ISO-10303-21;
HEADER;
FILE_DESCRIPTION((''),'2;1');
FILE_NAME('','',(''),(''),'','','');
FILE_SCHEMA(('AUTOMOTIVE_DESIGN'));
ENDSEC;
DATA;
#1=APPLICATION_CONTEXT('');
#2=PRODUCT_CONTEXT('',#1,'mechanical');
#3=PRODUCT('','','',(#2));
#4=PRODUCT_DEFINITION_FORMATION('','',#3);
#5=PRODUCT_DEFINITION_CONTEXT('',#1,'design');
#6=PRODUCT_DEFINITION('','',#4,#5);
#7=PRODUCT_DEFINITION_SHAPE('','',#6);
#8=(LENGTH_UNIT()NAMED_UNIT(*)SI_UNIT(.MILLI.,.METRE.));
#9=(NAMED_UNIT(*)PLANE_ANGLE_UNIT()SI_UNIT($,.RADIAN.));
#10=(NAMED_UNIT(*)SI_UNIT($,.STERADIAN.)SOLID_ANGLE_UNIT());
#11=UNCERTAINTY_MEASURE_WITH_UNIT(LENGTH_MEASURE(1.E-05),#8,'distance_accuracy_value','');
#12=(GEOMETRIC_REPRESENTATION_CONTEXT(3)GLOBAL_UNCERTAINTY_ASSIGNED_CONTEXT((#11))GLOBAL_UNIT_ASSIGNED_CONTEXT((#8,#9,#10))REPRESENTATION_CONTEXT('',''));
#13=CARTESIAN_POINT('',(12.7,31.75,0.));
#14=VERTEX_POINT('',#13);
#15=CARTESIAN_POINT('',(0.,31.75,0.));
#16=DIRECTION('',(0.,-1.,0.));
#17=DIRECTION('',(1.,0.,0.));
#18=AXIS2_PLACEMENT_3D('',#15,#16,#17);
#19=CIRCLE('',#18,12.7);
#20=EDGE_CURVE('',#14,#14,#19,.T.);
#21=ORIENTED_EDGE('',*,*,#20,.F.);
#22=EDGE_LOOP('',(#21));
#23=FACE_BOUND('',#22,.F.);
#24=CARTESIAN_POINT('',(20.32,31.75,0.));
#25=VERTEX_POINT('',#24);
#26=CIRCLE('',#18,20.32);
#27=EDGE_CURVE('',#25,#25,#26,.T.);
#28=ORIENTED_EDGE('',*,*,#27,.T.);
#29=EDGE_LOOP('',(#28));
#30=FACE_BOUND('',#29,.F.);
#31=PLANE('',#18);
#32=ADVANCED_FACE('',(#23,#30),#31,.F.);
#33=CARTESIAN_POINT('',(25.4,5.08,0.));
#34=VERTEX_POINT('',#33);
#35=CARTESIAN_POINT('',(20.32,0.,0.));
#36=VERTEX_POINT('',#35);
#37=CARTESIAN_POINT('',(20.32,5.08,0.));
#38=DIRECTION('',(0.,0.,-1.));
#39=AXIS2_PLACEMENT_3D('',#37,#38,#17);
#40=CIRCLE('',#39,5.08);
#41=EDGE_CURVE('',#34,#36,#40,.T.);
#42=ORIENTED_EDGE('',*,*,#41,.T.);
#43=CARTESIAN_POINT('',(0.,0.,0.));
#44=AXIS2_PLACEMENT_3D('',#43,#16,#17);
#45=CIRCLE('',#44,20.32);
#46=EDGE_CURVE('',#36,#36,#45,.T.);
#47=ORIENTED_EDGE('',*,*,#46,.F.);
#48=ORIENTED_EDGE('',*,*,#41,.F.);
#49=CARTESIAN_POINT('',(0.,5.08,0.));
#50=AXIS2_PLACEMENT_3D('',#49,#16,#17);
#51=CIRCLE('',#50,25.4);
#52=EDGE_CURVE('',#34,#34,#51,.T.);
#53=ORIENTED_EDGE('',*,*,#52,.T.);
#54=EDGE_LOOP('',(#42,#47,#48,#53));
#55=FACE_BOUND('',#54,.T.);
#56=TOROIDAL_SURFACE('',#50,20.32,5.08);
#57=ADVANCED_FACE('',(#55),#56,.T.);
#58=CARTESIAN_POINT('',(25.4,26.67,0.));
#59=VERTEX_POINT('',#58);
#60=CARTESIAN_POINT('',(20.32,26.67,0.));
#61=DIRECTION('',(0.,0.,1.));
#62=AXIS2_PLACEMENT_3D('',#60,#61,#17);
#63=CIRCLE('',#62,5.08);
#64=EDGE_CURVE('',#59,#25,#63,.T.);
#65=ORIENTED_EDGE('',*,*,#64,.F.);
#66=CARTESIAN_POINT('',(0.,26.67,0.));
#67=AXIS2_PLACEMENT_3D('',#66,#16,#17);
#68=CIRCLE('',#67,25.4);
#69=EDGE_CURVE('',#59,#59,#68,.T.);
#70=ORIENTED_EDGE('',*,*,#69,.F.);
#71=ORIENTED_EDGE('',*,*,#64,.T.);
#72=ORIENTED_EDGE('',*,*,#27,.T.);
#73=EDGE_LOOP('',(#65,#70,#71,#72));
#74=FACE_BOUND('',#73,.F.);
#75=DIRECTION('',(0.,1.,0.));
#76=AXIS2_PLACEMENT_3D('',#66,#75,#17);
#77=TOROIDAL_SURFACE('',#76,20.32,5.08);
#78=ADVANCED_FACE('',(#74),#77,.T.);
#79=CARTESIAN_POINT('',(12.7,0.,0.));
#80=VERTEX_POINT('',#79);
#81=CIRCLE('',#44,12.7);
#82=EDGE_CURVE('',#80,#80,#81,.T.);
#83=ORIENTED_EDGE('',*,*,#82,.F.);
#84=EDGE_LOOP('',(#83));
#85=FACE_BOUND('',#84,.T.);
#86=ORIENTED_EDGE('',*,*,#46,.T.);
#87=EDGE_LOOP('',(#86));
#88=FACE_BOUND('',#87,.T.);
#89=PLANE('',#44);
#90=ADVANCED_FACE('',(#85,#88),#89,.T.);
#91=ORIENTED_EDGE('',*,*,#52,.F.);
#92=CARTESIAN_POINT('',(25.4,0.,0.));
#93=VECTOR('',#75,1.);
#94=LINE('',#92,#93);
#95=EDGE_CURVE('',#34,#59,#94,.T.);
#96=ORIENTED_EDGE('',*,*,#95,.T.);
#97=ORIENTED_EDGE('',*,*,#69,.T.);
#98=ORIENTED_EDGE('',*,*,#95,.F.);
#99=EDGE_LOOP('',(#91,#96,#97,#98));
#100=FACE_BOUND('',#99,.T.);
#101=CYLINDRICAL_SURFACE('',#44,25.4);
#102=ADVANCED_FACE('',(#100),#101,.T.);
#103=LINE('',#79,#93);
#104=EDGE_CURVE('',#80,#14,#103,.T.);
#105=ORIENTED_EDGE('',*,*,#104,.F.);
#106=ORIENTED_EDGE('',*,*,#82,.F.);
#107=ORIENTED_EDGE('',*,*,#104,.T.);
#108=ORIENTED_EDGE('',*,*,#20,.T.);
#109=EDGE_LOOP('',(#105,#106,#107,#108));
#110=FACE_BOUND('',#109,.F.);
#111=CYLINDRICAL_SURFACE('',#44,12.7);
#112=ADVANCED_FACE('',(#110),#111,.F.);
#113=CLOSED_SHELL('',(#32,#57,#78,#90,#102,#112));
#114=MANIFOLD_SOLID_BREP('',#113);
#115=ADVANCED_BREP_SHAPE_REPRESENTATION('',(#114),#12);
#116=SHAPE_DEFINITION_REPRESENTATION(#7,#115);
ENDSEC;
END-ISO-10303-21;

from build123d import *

# Parameters (mm, degrees)
F0_R     = 25.4
F0_R_2   = 12.7
F1_DEPTH = 31.75
F2_R     = 5.08


with BuildPart() as f1:
    # F0 (on Front) → F1 (new body)
    with BuildSketch(Plane.XZ):
        Circle(F0_R)
        Circle(F0_R_2, mode=Mode.SUBTRACT)
    extrude(amount=-F1_DEPTH)

    # F2
    f2_edges = [f1.edges().sort_by_distance(p)[0] for p in [
        (-25.4, 0, 0),
        (-25.4, 31.75, 0),
    ]]
    fillet(f2_edges, radius=F2_R)


solid = f1.part
